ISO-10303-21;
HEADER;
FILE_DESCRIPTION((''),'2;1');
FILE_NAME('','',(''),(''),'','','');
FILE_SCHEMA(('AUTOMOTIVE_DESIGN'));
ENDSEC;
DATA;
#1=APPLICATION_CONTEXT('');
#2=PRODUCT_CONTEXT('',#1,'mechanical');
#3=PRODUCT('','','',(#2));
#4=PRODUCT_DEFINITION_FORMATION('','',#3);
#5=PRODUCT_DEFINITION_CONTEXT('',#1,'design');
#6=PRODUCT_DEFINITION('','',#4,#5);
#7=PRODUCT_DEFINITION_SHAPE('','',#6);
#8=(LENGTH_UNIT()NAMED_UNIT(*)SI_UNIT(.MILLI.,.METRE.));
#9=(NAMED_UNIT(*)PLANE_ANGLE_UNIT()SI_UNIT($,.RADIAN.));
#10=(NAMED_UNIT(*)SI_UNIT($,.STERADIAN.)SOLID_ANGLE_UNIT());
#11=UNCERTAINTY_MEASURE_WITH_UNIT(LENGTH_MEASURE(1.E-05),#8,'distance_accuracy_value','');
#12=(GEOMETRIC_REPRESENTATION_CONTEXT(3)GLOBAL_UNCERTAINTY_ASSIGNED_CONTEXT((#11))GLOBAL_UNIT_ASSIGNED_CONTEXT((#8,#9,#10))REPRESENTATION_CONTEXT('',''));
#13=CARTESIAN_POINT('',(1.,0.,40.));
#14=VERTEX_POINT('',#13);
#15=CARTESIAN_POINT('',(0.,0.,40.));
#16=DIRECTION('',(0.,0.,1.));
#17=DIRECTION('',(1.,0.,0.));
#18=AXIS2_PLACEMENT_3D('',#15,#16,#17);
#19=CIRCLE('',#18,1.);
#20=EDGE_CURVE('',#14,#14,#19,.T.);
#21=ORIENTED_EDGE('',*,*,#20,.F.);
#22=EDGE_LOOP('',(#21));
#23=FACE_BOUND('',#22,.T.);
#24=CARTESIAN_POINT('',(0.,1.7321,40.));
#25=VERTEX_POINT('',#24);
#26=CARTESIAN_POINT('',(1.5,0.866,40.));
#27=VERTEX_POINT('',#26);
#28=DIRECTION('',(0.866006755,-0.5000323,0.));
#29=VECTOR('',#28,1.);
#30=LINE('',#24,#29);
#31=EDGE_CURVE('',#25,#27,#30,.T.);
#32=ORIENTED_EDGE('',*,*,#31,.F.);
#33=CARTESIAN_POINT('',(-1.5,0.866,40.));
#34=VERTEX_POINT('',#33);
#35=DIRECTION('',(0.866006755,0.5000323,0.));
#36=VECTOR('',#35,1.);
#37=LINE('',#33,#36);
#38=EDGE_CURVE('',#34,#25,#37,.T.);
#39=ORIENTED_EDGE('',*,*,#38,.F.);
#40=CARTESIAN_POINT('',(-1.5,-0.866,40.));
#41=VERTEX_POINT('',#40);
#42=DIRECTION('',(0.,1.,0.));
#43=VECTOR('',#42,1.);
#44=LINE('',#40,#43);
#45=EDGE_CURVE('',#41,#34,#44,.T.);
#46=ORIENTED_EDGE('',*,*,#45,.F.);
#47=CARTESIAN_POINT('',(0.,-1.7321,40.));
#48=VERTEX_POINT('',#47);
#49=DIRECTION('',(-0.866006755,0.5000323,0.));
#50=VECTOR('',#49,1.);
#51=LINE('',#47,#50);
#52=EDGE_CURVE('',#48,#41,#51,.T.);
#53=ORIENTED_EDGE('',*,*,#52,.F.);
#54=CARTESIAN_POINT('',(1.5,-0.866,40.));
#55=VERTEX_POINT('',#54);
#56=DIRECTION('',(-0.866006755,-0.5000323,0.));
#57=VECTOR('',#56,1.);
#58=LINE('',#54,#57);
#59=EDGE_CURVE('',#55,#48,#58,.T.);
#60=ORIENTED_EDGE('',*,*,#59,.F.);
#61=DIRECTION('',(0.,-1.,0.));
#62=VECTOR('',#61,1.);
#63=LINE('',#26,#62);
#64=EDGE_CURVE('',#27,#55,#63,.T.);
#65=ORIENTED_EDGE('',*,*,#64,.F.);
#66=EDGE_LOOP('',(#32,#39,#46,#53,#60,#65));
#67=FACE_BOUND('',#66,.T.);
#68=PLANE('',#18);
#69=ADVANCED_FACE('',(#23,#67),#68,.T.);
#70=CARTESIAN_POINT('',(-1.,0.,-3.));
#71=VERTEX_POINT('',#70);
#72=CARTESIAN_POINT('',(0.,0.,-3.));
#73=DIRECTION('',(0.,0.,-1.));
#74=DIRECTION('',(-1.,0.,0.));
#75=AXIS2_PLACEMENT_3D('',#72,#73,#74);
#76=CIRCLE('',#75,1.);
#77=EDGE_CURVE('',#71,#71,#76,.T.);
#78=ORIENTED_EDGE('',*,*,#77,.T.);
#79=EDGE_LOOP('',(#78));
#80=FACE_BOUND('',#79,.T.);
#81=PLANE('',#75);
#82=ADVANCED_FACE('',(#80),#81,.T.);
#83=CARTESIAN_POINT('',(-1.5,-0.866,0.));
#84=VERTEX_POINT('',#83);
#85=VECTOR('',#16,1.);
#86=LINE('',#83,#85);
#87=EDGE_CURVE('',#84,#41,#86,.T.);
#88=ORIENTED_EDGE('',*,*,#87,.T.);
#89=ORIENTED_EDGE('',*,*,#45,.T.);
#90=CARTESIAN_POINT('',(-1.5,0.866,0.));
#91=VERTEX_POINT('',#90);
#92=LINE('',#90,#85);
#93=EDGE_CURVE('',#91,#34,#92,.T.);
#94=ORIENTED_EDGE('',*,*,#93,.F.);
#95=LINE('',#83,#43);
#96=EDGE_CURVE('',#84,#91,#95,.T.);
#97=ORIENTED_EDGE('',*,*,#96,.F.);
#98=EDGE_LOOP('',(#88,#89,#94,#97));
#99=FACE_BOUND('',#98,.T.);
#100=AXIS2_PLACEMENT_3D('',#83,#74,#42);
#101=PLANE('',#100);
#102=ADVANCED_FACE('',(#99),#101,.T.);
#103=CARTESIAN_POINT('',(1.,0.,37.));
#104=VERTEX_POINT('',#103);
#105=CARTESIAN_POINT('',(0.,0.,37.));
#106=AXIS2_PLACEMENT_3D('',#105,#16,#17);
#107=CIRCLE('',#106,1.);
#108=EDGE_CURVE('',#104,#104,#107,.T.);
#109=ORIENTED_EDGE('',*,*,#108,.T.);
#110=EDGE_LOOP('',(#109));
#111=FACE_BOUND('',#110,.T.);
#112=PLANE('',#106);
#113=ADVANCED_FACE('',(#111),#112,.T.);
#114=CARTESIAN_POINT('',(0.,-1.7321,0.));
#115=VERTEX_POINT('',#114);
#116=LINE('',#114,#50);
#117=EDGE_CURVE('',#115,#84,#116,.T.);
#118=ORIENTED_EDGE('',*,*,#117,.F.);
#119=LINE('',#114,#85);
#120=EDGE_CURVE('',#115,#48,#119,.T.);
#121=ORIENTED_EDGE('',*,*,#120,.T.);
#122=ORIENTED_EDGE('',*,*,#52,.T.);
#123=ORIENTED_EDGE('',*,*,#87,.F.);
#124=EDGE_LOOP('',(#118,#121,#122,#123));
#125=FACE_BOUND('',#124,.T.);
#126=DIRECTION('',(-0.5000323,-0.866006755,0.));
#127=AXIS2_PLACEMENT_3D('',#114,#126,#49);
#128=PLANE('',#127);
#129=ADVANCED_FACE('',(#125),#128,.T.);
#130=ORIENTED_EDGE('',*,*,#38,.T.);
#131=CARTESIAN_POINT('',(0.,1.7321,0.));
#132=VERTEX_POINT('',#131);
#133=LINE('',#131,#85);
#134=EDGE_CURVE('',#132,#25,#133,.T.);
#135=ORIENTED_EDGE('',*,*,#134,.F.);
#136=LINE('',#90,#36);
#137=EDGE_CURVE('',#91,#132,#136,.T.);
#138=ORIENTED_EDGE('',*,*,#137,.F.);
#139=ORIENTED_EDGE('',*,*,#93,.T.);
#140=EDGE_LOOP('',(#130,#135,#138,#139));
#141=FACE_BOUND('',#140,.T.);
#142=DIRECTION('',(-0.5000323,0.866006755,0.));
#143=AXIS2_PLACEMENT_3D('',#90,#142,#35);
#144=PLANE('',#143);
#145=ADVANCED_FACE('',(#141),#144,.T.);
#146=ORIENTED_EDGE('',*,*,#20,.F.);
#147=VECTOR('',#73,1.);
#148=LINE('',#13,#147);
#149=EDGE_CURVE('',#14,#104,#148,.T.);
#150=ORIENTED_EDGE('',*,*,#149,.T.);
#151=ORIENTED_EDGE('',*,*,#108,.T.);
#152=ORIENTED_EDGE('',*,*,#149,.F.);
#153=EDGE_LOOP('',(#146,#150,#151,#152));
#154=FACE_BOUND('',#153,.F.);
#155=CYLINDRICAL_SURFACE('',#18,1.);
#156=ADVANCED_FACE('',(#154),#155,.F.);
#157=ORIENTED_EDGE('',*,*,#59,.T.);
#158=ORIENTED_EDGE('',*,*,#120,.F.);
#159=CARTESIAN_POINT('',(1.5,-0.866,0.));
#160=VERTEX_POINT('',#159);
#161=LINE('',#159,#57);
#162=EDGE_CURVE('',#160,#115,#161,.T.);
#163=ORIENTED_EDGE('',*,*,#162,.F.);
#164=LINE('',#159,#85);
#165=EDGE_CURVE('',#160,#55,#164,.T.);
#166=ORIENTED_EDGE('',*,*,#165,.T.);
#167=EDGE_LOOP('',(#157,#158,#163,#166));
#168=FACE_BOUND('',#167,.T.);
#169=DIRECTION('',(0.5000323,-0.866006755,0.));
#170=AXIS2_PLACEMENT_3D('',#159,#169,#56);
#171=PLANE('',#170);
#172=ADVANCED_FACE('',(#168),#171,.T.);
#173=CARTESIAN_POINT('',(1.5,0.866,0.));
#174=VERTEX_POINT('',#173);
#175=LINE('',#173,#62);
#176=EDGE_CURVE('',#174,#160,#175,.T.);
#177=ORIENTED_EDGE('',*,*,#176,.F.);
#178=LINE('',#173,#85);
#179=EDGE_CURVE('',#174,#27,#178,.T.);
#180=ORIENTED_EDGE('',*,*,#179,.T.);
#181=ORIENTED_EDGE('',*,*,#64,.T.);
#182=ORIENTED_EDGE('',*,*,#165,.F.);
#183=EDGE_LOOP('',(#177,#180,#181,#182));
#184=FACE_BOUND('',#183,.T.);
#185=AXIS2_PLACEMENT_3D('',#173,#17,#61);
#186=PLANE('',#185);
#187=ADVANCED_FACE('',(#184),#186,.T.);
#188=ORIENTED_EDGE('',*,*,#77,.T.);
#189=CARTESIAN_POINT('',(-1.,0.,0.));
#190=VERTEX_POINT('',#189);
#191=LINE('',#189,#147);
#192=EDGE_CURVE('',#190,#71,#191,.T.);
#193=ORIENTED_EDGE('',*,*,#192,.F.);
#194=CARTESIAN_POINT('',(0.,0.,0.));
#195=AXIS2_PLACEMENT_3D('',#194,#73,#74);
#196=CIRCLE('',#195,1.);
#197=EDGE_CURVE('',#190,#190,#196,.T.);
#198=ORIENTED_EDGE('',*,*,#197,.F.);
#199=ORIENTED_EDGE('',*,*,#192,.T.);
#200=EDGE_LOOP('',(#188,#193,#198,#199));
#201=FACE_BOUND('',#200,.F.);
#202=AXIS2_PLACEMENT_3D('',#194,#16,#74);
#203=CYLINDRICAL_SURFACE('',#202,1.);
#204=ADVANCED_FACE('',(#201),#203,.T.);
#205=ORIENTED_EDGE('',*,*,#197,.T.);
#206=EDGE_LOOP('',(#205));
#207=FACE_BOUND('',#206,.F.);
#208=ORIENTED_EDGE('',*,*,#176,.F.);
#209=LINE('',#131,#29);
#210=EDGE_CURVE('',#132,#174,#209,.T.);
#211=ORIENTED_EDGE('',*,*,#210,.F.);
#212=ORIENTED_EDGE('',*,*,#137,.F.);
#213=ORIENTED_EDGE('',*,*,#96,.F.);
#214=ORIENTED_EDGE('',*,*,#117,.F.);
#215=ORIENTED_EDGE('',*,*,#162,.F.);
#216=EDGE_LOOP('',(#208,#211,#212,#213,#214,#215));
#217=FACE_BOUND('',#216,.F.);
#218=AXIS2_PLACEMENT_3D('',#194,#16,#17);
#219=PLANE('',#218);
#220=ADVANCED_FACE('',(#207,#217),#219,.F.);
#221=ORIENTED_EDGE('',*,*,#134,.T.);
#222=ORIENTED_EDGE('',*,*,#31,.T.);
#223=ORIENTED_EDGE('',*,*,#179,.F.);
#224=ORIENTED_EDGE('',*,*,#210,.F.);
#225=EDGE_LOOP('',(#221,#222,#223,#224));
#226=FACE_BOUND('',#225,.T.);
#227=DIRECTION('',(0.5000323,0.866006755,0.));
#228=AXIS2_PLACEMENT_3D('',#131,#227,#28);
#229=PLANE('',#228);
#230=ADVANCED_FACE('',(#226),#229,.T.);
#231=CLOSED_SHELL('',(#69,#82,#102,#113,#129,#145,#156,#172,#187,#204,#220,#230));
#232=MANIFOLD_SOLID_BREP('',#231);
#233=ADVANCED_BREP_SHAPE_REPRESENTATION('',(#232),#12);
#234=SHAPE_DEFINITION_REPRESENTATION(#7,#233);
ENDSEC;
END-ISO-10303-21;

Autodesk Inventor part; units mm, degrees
ref_plane "YZ Plane" through (0, 0, 0) normal (1, 0, 0) x (0, 1, 0)
ref_plane "XZ Plane" through (0, 0, 0) normal (0, 1, 0) x (-1, 0, 0)
ref_plane "XY Plane" through (0, 0, 0) normal (0, 0, 1) x (1, 0, 0)
sketch "Sketch1" plane through (0, 0, 0) normal (0, 0, 1) x (1, 0, 0)
  line L0 (0, 1.7321) -> (1.5, 0.866)
  line L1 (1.5, 0.866) -> (1.5, -0.866)
  line L2 (1.5, -0.866) -> (0, -1.7321)
  line L3 (0, -1.7321) -> (-1.5, -0.866)
  line L4 (-1.5, -0.866) -> (-1.5, 0.866)
  line L5 (-1.5, 0.866) -> (0, 1.7321)
  point P0 (0, 0)
  point P1 (0, 0)
  dimension "d0" = 3
extrude "Extrusion1" add sketch "Sketch1" along normal blind 40
sketch "Sketch2" plane through (0, 0, 40) normal (0, 0, 1) x (1, 0, 0)
  circle A0 centre (0, 0) radius 1
  dimension "d3" = 2
extrude "Extrusion2" cut sketch "Sketch2" against normal blind 3
sketch "Sketch3" plane through (0, 0, 0) normal (0, 0, -1) x (-1, 0, 0)
  circle A0 centre (0, 0) radius 1
extrude "Extrusion3" add sketch "Sketch3" along normal blind 3
thread "Thread1" size "M2x0.4" class "6g" standard "ANSI Metric M Profile" length 12.7
thread "Thread2" size "M2x0.4" class "6H" standard "ANSI Metric M Profile" length 12.7
properties part number "M2_40mm_standoff"
